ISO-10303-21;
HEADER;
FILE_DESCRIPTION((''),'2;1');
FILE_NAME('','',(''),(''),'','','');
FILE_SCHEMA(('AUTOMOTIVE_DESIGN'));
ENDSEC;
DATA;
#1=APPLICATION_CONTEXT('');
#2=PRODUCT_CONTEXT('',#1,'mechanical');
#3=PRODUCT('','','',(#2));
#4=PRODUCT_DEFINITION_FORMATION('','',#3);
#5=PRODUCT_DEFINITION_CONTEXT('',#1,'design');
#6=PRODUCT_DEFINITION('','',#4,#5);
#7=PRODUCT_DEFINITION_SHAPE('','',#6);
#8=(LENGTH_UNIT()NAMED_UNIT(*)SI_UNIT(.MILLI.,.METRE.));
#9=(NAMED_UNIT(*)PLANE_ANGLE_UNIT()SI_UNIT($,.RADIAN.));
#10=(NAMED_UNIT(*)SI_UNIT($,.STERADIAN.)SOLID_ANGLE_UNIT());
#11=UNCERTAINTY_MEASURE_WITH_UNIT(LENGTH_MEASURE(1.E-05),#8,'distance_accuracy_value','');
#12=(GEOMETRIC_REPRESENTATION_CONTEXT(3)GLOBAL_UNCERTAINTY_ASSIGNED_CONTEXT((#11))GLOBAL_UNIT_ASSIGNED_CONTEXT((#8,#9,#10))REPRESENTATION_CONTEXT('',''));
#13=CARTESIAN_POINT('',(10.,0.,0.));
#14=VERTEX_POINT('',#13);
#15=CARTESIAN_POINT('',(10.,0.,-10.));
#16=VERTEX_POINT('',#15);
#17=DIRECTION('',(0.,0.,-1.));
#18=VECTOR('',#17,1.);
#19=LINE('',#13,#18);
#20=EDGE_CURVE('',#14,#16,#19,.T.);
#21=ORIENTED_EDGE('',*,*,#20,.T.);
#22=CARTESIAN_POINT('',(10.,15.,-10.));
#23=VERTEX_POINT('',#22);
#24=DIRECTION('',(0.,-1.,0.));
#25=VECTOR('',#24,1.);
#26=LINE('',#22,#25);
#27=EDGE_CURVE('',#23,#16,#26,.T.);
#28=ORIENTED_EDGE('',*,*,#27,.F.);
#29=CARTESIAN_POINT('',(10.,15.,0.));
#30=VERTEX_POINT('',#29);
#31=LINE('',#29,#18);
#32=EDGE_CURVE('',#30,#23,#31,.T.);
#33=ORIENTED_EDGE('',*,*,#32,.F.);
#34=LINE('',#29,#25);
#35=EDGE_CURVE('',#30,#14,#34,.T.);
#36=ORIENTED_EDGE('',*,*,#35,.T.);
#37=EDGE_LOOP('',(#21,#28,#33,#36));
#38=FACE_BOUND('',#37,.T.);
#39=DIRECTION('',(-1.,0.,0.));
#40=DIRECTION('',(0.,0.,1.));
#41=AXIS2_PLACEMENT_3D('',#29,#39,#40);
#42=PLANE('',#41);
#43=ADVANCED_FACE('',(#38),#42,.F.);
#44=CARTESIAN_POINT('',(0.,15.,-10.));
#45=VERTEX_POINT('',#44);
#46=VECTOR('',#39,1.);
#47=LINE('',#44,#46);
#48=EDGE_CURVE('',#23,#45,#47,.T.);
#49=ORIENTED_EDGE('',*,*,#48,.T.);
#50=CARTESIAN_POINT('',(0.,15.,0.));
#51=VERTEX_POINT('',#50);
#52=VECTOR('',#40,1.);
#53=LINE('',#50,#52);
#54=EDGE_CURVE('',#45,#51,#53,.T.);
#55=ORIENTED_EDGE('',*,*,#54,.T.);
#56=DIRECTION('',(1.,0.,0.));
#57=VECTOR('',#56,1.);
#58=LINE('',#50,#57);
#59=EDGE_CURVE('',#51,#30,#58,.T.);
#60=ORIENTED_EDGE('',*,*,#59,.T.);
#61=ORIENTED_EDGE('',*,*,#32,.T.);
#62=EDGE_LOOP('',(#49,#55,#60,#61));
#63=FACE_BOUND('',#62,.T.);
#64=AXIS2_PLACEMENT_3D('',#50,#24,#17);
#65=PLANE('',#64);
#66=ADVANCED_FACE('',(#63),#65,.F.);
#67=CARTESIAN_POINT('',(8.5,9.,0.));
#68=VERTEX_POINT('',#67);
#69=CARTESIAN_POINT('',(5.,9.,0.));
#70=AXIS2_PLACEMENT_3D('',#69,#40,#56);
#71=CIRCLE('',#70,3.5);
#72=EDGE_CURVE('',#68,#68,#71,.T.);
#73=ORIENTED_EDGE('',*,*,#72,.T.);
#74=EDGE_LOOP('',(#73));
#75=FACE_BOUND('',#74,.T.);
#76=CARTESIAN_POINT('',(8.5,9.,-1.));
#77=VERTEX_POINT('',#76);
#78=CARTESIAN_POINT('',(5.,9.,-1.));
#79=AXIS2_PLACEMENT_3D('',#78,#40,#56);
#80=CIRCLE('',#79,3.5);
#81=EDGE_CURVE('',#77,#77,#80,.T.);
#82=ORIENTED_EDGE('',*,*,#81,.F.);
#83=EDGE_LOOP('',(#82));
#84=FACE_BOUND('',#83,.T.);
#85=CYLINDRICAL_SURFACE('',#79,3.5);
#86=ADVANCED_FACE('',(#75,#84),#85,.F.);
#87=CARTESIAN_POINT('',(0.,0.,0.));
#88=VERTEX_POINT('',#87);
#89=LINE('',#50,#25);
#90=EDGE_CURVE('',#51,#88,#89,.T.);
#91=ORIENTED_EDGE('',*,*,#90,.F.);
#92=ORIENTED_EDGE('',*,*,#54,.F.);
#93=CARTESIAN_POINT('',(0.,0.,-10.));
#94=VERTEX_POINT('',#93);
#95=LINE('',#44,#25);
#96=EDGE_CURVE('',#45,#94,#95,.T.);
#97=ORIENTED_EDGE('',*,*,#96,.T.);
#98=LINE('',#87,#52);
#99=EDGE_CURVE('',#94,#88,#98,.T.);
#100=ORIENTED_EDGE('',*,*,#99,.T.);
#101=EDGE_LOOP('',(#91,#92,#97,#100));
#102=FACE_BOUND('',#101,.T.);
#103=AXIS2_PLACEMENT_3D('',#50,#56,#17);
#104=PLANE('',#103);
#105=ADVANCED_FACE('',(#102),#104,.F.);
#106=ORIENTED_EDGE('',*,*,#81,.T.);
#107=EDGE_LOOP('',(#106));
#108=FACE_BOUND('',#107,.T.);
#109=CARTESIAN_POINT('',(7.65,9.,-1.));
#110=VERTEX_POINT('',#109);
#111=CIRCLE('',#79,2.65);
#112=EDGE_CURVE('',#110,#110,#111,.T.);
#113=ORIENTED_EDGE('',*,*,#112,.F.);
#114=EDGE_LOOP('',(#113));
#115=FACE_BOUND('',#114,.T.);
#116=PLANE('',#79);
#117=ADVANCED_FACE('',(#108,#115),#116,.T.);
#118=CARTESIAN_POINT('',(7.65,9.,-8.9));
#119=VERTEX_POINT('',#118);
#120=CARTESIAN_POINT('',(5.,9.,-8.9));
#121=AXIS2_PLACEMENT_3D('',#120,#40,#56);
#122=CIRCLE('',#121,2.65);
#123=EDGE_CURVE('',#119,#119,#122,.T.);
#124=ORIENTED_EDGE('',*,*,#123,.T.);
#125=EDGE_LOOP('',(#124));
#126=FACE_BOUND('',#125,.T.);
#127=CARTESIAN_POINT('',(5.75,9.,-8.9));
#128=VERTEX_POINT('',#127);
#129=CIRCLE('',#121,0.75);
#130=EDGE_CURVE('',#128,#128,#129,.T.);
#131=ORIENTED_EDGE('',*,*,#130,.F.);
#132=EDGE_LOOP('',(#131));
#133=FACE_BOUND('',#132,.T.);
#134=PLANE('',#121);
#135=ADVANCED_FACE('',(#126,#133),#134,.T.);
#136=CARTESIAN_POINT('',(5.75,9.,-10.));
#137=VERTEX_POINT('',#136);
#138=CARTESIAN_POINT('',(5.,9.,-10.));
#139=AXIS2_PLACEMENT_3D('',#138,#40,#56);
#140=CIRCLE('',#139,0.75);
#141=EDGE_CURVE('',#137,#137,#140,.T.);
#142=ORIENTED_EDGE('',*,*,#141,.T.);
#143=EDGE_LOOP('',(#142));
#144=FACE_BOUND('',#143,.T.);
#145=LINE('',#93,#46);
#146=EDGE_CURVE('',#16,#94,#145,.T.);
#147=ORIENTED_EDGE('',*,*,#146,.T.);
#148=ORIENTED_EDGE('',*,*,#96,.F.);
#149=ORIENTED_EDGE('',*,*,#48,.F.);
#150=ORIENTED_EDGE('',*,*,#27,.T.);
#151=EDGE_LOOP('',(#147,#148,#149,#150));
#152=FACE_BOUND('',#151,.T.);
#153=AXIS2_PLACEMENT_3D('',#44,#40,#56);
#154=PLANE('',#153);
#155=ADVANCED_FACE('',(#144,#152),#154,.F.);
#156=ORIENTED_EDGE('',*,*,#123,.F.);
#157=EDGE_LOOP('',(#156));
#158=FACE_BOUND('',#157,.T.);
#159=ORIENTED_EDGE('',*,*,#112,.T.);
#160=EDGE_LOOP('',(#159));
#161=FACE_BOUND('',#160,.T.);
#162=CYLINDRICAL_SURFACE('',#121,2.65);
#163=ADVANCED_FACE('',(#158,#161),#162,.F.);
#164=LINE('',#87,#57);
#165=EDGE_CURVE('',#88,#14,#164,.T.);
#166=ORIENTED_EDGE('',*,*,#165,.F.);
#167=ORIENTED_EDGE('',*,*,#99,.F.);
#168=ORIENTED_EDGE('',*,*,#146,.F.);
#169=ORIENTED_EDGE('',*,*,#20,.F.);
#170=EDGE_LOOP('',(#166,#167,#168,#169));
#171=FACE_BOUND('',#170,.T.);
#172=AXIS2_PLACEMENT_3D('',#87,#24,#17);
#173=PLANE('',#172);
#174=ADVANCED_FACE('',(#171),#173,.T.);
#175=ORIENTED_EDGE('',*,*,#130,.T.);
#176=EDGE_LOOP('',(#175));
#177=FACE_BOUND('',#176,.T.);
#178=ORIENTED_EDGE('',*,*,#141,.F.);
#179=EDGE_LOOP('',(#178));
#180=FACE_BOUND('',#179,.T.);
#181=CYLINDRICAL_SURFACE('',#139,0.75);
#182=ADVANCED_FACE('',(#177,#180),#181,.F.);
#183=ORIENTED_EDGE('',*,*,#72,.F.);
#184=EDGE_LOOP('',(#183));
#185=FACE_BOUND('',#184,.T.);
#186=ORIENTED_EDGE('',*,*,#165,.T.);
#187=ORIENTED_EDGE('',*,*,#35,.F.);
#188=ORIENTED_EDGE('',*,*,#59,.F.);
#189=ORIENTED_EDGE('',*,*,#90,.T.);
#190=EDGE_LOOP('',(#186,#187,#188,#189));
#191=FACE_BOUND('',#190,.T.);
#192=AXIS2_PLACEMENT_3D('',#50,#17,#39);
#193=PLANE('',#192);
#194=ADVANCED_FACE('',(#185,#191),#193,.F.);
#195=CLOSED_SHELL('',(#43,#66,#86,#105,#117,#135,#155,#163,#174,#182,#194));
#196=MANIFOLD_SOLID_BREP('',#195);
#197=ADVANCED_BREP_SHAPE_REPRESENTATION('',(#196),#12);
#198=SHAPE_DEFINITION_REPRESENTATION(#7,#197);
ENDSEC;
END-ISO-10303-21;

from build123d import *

# Parameters (mm, degrees)
SKETCH1_W           = 10
SKETCH1_H           = 10
BOSS_EXTRUDE1_DEPTH = 15
SKETCH2_R           = 3.5
CUT_EXTRUDE1_DEPTH  = 1
SKETCH3_R           = 2.65
CUT_EXTRUDE2_DEPTH  = 7.9
SKETCH4_R           = 0.75
CUT_EXTRUDE3_DEPTH  = 21.104974509


with BuildPart() as part:
    # Sketch1 → Boss-Extrude1 (new body)
    with BuildSketch(Plane(origin=(0, 0, 0), x_dir=(1, 0, 0), z_dir=(0, 1, 0))):
        with Locations((5, 5)):
            Rectangle(SKETCH1_W, SKETCH1_H)
    extrude(amount=BOSS_EXTRUDE1_DEPTH)

    # Sketch2 → Cut-Extrude1 (cut)
    with BuildSketch(Plane.XY):
        with Locations((5, 9)):
            Circle(SKETCH2_R)
    extrude(amount=-CUT_EXTRUDE1_DEPTH, mode=Mode.SUBTRACT)

    # Sketch3 → Cut-Extrude2 (cut)
    with BuildSketch(Plane.XY.offset(-1)):
        with Locations((5, 9)):
            Circle(SKETCH3_R)
    extrude(amount=-CUT_EXTRUDE2_DEPTH, mode=Mode.SUBTRACT)

    # Sketch4 → Cut-Extrude3 (cut, through all)
    with BuildSketch(Plane.XY.offset(-8.9)):
        with Locations((5, 9)):
            Circle(SKETCH4_R)
    extrude(amount=-CUT_EXTRUDE3_DEPTH, mode=Mode.SUBTRACT)


solid = part.part
